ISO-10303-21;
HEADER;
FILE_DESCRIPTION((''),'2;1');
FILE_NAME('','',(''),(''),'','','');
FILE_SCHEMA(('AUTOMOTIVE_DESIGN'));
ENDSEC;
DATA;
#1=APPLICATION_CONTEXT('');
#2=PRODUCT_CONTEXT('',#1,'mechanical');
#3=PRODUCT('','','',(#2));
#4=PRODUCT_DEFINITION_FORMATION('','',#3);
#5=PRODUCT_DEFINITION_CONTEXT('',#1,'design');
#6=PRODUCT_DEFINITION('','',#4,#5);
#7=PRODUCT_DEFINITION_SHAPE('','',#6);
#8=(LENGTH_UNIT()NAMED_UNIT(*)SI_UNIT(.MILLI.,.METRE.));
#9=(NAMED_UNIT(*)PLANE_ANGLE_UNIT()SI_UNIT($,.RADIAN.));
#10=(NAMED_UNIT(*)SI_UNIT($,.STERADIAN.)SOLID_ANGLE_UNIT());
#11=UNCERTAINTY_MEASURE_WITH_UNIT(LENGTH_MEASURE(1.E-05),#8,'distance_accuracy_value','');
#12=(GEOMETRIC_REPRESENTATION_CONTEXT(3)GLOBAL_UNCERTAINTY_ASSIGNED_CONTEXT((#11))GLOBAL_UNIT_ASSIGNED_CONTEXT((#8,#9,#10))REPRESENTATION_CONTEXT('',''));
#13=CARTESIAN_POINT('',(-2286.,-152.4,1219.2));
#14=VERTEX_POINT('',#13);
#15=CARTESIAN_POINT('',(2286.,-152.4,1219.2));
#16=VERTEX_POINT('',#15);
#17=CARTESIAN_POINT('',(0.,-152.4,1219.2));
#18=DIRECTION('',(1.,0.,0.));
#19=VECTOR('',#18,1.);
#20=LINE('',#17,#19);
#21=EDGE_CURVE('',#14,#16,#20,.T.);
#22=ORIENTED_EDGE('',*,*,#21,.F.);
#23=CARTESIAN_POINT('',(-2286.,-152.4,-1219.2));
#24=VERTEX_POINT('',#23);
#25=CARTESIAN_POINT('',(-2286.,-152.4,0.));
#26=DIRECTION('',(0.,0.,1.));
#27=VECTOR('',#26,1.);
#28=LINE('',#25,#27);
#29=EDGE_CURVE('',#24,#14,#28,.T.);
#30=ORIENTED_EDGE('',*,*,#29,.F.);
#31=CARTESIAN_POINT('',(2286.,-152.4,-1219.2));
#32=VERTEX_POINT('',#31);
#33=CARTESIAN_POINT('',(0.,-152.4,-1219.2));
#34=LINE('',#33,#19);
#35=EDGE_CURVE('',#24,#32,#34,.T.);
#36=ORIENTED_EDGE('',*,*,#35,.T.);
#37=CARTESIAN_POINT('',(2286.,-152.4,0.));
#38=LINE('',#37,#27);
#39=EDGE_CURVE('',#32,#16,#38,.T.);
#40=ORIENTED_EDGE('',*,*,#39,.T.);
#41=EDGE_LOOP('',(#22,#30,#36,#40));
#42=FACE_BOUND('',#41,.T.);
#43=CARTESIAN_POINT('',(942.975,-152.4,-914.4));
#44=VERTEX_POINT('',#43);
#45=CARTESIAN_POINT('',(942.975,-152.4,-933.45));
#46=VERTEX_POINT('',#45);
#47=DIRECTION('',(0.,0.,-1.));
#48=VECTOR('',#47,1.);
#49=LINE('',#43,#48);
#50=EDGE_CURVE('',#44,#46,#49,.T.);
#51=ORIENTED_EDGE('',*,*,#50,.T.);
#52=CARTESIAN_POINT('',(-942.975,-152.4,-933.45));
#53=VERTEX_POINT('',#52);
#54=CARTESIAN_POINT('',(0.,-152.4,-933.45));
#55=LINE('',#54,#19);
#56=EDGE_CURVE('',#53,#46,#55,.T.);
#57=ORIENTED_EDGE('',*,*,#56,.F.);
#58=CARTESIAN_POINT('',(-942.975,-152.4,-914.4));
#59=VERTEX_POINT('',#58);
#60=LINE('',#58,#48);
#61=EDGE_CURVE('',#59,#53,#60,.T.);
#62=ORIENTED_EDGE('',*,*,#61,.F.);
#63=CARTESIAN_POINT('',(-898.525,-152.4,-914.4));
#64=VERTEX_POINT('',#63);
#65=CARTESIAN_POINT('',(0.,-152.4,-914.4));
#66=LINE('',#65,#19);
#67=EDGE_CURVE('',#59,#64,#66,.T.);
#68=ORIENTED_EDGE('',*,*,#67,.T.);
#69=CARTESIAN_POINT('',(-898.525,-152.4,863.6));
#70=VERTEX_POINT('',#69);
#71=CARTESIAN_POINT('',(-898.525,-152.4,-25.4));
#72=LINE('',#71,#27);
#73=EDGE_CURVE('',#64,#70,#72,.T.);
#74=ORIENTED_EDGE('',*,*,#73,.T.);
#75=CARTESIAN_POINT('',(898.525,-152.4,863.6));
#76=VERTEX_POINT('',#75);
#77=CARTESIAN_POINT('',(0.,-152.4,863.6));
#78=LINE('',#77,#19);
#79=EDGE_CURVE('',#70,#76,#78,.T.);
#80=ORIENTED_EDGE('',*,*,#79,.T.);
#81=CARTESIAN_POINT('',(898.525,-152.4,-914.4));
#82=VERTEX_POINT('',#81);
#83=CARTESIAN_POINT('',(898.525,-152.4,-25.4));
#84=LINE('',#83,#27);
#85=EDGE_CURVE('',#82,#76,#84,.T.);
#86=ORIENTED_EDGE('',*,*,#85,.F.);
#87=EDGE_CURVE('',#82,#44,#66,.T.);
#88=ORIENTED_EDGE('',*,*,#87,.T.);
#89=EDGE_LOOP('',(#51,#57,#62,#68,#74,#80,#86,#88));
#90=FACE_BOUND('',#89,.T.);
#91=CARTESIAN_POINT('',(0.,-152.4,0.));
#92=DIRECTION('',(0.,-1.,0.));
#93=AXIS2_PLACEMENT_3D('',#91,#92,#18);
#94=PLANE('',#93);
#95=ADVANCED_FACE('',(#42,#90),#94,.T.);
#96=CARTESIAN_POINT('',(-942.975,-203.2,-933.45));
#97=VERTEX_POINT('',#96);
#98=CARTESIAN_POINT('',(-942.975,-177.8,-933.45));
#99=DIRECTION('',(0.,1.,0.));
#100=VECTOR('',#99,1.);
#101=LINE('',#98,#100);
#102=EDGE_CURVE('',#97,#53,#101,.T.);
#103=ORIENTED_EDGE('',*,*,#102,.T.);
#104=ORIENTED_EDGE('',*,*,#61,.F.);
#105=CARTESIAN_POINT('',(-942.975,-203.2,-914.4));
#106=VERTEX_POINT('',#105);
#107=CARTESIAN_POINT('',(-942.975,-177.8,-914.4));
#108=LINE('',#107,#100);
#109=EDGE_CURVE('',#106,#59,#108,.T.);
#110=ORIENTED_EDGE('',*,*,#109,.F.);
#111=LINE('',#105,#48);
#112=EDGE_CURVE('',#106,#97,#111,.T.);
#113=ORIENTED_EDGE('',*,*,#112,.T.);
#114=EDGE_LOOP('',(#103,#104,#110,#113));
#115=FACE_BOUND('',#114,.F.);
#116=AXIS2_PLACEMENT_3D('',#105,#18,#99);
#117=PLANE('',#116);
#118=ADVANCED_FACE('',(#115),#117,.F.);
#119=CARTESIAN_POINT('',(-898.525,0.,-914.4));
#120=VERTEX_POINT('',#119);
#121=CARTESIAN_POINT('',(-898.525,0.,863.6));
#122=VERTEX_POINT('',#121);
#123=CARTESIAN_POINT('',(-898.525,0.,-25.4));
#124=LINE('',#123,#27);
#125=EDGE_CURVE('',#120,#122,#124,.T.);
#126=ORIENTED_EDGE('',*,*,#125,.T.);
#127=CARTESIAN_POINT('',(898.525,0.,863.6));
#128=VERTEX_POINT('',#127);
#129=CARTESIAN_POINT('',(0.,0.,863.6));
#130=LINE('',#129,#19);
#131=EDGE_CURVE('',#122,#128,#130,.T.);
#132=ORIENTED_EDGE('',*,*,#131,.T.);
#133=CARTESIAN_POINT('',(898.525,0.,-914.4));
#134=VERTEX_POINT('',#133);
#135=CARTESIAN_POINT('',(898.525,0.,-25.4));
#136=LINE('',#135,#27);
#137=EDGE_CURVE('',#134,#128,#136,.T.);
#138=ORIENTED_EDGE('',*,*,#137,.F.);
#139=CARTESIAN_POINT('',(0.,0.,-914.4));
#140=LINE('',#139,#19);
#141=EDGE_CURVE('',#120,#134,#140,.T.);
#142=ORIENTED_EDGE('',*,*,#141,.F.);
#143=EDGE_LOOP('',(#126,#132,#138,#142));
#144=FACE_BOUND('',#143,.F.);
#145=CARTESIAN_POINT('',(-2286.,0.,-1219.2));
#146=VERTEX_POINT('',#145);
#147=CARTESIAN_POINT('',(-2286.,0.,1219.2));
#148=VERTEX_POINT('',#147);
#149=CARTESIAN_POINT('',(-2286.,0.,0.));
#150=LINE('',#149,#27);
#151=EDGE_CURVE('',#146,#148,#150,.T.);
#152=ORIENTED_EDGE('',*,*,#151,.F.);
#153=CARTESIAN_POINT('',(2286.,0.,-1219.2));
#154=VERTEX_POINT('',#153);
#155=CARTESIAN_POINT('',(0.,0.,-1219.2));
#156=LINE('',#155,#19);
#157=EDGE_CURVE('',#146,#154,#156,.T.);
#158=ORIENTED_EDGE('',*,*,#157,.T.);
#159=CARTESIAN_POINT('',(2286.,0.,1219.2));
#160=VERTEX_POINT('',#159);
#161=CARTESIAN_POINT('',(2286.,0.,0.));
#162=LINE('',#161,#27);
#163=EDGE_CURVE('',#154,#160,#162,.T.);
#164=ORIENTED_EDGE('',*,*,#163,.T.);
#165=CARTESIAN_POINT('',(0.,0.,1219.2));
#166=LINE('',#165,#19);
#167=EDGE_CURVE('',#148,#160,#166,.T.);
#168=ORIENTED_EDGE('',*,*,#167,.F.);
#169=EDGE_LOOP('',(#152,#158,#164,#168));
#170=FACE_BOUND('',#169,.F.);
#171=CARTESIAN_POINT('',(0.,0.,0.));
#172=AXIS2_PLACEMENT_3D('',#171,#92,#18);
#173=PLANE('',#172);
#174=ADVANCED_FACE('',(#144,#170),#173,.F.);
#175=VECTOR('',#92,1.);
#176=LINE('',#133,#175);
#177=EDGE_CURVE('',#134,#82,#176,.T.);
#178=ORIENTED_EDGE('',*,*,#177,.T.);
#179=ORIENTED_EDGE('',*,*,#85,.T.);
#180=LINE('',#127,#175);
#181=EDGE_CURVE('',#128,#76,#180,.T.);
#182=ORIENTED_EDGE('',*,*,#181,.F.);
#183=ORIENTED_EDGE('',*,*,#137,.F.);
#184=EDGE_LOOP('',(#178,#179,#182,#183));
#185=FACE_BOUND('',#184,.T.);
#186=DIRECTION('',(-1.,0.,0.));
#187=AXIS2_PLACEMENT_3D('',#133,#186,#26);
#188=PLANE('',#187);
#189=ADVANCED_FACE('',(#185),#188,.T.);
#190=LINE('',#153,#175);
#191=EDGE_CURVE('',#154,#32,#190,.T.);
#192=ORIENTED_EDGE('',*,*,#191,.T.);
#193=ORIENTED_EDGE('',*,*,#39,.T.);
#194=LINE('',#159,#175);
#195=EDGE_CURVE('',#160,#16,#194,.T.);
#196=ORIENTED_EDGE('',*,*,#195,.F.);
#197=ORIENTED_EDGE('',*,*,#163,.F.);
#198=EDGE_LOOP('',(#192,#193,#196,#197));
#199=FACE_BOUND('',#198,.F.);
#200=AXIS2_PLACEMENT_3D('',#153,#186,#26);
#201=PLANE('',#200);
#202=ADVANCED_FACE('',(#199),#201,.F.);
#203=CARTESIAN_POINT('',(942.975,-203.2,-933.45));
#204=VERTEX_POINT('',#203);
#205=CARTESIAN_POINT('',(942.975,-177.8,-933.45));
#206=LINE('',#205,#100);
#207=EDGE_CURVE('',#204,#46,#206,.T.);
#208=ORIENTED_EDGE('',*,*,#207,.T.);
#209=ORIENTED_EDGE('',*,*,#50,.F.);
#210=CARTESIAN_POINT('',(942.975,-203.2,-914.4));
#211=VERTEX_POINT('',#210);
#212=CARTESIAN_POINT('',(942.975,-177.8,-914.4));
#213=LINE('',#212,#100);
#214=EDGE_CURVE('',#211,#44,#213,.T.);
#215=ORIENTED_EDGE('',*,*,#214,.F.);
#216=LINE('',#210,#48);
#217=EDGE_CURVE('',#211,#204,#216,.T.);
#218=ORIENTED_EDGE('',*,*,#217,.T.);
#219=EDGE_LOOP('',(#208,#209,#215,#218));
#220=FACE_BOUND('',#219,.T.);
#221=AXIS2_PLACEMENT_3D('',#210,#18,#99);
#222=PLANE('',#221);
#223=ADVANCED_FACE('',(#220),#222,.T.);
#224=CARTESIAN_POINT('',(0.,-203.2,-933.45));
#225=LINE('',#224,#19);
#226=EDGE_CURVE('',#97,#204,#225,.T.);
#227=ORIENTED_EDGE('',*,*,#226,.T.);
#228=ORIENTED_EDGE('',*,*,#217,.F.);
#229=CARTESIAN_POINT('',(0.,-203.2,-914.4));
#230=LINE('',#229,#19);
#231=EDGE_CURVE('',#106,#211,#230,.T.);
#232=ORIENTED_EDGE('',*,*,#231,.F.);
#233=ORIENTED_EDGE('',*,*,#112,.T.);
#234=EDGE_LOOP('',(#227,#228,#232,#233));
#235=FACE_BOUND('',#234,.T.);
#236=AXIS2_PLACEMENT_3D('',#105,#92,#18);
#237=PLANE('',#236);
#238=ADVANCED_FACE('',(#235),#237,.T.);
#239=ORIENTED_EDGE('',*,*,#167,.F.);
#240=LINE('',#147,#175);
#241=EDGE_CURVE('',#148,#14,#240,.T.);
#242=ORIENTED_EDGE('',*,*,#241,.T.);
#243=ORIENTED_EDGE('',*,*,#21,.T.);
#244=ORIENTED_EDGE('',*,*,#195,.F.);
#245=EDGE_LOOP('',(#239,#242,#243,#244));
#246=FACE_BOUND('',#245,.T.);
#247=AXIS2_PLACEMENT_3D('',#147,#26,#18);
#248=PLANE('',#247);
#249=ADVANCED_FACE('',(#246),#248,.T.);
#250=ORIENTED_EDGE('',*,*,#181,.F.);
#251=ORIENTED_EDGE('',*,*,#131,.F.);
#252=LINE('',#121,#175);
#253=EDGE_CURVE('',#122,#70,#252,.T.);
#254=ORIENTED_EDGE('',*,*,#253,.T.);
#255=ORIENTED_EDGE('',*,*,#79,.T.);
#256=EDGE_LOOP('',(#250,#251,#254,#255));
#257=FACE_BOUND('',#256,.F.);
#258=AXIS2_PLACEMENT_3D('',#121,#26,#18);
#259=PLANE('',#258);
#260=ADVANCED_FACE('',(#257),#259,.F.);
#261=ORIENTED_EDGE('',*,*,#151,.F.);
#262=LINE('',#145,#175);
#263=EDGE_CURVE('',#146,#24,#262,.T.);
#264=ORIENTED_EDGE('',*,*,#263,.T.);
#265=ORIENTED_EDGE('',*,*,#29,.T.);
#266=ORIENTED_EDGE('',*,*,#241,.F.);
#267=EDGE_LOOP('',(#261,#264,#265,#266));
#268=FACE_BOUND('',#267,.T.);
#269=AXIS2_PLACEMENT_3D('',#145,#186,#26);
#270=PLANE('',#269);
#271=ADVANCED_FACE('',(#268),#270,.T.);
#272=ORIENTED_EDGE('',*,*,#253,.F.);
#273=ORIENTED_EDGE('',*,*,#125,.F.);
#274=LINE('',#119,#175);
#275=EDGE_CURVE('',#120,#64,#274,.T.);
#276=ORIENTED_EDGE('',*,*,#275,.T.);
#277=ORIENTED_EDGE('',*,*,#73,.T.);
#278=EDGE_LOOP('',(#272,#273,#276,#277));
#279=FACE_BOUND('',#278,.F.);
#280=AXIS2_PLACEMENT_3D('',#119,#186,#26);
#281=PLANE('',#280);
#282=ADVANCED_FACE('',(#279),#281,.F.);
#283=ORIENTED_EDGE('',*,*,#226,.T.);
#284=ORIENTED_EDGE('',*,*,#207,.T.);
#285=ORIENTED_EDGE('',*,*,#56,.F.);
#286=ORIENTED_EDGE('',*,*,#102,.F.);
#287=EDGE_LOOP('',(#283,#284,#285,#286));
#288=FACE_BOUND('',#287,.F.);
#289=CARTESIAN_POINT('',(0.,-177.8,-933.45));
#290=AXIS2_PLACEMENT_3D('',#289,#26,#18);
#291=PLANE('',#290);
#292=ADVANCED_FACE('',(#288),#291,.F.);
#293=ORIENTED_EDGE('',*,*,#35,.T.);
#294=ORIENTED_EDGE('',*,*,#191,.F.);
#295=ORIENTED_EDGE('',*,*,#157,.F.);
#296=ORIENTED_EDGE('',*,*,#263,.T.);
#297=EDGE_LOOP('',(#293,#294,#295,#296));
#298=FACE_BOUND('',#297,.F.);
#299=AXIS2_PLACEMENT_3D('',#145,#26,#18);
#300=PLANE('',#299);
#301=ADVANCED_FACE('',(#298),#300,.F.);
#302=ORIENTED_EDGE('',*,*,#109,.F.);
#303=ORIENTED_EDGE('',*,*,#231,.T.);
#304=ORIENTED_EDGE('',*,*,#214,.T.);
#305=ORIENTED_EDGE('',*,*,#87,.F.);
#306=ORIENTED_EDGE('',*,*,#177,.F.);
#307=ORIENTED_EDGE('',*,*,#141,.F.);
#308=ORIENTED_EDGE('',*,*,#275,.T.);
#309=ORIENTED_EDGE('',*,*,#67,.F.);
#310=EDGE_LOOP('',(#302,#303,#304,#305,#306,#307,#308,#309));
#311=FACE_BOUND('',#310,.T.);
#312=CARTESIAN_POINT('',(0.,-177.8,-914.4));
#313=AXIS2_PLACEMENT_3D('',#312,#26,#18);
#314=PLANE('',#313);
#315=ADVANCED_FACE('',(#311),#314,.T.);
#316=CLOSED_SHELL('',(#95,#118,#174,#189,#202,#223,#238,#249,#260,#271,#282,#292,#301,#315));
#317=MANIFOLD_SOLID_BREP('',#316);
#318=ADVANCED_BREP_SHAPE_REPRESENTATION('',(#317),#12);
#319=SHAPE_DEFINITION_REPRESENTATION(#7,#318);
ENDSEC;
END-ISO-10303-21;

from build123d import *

# Parameters (mm, degrees)
F0_W     = 4572
F0_H     = 2438.4
F0_W_2   = 1797.05
F0_H_2   = 1778
F1_DEPTH = 152.4
F2_W     = 1885.95
F2_H     = 50.8
F3_DEPTH = 19.05


with BuildPart() as f1:
    # F0 (on Front) → F1 (new body)
    with BuildSketch(Plane.XZ):
        Rectangle(F0_W, F0_H)
        with Locations((0, -25.4)):
            Rectangle(F0_W_2, F0_H_2, mode=Mode.SUBTRACT)
    extrude(amount=F1_DEPTH)

    # F2 (on face) → F3 (join)
    with BuildSketch(Plane.XY.offset(-914.4)):
        with Locations((0, -177.8)):
            Rectangle(F2_W, F2_H)
    extrude(amount=-F3_DEPTH)


solid = f1.part
